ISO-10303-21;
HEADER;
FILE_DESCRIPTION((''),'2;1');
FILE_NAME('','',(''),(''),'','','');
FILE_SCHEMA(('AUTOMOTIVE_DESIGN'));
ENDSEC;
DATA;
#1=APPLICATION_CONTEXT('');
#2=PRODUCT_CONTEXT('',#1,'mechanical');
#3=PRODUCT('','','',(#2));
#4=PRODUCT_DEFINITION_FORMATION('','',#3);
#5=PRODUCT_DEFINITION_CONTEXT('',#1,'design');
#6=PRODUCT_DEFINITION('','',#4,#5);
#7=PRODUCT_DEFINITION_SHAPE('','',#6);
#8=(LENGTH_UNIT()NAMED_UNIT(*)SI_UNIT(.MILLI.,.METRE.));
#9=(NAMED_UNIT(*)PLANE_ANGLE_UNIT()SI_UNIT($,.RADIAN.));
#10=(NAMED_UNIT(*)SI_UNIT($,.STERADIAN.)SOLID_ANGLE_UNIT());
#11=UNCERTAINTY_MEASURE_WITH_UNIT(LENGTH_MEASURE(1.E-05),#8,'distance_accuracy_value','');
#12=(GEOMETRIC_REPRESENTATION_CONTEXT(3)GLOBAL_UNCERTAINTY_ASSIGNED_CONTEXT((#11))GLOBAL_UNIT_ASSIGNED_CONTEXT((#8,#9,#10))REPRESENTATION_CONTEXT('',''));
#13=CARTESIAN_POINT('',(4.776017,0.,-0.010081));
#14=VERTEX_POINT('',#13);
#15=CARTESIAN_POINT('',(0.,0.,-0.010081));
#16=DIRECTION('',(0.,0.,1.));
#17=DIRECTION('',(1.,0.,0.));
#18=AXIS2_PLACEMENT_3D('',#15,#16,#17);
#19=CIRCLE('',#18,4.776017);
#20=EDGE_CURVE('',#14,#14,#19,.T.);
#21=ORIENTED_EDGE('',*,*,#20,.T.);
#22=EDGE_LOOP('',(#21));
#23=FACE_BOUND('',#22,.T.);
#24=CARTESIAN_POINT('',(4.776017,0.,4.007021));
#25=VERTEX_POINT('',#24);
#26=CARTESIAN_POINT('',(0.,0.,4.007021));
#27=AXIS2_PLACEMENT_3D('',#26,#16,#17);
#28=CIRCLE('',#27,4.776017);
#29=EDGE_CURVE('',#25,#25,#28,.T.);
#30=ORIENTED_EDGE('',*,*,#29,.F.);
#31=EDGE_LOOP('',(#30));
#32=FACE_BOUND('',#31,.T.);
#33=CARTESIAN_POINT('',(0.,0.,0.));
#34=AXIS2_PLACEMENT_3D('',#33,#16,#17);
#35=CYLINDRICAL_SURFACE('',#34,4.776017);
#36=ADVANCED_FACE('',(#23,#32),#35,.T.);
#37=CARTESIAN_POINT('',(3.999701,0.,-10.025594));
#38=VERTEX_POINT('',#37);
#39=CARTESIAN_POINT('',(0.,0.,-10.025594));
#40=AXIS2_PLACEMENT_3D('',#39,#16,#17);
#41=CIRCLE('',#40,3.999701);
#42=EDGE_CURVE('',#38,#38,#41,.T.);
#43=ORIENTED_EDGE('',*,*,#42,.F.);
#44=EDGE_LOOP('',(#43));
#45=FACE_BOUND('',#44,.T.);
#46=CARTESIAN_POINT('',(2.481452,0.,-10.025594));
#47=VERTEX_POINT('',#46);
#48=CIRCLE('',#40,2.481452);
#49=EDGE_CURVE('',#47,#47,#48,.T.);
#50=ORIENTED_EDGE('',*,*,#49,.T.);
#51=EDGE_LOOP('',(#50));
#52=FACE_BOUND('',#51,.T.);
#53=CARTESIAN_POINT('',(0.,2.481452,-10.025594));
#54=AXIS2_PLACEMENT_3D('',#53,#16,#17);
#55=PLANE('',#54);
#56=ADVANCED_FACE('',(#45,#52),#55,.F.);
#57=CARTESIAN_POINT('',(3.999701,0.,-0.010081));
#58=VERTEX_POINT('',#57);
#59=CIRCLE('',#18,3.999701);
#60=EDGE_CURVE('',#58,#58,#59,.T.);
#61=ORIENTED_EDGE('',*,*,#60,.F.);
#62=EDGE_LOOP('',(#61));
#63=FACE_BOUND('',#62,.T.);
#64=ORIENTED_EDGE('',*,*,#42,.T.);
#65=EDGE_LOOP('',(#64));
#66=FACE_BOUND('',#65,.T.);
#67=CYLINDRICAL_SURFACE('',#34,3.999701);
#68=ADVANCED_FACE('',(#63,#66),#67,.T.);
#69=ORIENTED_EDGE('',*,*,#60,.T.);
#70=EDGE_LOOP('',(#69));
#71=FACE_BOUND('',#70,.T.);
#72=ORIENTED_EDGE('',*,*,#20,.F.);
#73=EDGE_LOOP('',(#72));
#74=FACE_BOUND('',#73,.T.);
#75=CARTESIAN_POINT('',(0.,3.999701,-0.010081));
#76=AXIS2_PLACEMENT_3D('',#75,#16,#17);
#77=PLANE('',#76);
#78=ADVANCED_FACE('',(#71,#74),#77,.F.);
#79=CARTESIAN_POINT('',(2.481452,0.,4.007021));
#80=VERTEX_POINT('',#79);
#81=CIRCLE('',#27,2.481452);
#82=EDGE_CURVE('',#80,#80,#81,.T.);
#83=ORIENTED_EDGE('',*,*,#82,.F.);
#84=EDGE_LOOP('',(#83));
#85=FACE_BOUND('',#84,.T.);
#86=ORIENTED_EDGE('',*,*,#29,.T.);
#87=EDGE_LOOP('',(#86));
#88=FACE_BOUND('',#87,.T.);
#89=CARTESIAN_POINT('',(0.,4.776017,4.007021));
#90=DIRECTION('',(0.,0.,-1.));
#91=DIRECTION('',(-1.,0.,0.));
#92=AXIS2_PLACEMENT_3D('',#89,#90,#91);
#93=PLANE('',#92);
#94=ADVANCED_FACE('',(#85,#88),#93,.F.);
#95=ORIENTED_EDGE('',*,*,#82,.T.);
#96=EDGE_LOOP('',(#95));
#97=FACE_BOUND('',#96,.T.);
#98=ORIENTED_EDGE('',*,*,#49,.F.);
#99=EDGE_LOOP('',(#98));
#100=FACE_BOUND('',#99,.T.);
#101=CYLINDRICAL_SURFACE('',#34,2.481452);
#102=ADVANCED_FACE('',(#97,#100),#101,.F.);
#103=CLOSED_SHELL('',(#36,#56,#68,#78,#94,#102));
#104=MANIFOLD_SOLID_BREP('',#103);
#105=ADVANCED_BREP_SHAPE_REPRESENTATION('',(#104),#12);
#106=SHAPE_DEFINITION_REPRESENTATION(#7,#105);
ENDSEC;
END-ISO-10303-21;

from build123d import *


with BuildPart() as part:
    # Sketch1 → Revolve1 (revolve)
    with BuildSketch(Plane(origin=(0, 0, 0), x_dir=(0, 0, -1), z_dir=(1, 0, 0))):
        Polygon((10.025594326, 2.481451816), (10.025594326, 3.999701303), (0.010080588, 3.999701303), (0.010080588, 4.776017407), (-4.007020747, 4.776017407), (-4.007020747, 2.481451816), align=None)
    revolve(axis=Axis((0, 0, 0), (0, 0, -1)))


solid = part.part
